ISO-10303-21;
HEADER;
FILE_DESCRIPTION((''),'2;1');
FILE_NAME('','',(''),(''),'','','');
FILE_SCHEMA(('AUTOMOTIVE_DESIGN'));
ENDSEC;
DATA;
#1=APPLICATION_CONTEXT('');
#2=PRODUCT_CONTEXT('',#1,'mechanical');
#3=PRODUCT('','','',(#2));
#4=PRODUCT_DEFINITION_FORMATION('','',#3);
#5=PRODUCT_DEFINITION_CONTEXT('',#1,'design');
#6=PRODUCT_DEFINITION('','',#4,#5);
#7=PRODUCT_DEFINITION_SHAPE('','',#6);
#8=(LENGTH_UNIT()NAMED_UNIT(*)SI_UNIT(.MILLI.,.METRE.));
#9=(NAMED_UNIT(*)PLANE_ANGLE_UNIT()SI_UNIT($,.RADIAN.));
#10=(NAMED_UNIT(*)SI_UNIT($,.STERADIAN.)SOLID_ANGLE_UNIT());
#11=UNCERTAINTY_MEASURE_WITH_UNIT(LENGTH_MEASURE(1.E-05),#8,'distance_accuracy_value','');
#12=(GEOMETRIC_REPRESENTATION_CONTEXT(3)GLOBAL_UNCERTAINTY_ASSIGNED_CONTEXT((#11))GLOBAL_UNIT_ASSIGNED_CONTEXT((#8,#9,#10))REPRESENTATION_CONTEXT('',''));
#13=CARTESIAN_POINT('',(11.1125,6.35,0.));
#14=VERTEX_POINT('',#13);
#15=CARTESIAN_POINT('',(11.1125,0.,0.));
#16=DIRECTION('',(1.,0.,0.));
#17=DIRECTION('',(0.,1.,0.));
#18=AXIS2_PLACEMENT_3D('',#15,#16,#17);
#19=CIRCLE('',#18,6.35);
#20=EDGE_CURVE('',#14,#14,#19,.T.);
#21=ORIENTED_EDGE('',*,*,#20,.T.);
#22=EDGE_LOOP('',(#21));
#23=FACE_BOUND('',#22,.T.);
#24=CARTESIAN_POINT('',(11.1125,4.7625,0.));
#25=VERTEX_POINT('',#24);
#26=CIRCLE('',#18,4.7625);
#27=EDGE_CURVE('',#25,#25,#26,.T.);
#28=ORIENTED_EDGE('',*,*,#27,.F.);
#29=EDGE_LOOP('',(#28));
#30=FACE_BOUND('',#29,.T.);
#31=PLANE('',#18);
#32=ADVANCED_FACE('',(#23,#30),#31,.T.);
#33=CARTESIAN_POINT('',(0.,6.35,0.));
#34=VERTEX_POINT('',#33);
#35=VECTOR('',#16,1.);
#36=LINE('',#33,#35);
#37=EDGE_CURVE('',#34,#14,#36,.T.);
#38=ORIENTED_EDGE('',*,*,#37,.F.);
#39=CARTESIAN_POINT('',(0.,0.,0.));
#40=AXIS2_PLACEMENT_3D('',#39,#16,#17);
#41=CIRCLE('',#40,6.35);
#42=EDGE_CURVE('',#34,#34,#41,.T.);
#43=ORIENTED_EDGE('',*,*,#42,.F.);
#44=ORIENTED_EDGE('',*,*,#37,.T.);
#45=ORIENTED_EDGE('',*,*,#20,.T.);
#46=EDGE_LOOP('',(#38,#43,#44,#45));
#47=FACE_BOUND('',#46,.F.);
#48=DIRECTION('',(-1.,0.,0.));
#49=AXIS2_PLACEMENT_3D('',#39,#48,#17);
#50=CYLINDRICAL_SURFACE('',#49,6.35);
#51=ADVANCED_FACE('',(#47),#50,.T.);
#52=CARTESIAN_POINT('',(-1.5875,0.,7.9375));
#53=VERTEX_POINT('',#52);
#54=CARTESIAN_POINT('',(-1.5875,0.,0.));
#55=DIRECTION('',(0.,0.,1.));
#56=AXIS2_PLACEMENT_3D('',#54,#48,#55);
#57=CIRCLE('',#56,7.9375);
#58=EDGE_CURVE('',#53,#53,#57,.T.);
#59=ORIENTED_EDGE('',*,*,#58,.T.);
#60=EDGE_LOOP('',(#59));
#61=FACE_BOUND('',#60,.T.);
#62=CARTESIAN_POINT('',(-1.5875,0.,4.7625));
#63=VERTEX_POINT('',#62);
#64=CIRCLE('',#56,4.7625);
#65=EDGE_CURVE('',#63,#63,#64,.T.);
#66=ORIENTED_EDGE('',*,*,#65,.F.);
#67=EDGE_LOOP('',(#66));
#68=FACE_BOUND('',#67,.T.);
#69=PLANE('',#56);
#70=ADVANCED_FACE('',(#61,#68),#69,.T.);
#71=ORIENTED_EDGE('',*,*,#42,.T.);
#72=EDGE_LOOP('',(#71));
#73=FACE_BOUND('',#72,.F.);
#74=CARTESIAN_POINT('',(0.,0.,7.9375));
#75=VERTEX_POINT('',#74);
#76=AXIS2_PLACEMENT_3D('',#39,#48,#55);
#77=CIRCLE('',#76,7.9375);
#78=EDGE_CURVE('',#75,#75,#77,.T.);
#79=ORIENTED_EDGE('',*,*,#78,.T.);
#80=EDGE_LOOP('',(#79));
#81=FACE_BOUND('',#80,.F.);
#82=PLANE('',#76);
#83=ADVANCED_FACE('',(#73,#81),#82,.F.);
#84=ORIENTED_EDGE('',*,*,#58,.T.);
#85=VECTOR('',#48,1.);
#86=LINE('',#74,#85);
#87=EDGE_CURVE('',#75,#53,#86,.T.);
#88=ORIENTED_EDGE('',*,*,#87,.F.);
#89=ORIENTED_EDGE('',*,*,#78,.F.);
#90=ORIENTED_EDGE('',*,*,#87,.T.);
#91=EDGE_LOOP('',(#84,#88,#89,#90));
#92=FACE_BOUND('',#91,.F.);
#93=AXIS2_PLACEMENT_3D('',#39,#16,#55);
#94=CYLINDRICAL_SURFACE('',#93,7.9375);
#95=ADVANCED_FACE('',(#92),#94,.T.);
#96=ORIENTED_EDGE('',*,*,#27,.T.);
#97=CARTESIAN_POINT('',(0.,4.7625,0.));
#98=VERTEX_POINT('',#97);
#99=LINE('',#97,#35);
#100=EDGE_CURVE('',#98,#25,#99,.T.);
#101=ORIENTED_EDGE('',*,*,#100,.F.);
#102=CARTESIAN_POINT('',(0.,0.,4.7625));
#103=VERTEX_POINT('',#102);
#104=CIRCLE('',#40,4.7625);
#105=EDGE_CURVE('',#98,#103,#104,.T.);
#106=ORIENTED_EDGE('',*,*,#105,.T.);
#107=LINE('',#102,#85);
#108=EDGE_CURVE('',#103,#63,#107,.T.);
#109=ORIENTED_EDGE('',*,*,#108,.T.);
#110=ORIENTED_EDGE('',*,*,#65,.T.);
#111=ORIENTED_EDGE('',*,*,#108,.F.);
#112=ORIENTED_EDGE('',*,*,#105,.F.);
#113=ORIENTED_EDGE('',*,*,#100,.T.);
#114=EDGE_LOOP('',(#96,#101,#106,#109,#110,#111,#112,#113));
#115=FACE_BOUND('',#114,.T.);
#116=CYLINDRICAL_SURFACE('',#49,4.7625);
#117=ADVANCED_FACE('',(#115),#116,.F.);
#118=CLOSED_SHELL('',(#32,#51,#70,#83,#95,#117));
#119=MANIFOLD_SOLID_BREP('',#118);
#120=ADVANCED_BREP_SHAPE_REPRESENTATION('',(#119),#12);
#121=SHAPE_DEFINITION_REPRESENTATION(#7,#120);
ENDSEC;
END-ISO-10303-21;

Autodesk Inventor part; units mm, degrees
ref_plane "YZ Plane" through (0, 0, 0) normal (1, 0, 0) x (0, 1, 0)
ref_plane "XZ Plane" through (0, 0, 0) normal (0, 1, 0) x (-1, 0, 0)
ref_plane "XY Plane" through (0, 0, 0) normal (0, 0, 1) x (1, 0, 0)
sketch "Sketch1" plane through (0, 0, 0) normal (1, 0, 0) x (0, 1, 0)
  circle A0 centre (0, 0) radius 4.7625
  circle A1 centre (0, 0) radius 6.35
  dimension "d0" = 9.525
  dimension "d1" = 12.7
extrude "Extrusion1" add sketch "Sketch1" along normal blind 11.1125
sketch "Sketch2" plane through (0, 0, 0) normal (-1, 0, 0) x (0, 0, 1)
  circle A0 centre (0, 0) radius 4.7625 projected
  circle A1 centre (0, 0) radius 7.9375
  dimension "d4" = 15.875
extrude "Extrusion2" add sketch "Sketch2" along normal blind 1.5875
properties part number ".375 bushing"
